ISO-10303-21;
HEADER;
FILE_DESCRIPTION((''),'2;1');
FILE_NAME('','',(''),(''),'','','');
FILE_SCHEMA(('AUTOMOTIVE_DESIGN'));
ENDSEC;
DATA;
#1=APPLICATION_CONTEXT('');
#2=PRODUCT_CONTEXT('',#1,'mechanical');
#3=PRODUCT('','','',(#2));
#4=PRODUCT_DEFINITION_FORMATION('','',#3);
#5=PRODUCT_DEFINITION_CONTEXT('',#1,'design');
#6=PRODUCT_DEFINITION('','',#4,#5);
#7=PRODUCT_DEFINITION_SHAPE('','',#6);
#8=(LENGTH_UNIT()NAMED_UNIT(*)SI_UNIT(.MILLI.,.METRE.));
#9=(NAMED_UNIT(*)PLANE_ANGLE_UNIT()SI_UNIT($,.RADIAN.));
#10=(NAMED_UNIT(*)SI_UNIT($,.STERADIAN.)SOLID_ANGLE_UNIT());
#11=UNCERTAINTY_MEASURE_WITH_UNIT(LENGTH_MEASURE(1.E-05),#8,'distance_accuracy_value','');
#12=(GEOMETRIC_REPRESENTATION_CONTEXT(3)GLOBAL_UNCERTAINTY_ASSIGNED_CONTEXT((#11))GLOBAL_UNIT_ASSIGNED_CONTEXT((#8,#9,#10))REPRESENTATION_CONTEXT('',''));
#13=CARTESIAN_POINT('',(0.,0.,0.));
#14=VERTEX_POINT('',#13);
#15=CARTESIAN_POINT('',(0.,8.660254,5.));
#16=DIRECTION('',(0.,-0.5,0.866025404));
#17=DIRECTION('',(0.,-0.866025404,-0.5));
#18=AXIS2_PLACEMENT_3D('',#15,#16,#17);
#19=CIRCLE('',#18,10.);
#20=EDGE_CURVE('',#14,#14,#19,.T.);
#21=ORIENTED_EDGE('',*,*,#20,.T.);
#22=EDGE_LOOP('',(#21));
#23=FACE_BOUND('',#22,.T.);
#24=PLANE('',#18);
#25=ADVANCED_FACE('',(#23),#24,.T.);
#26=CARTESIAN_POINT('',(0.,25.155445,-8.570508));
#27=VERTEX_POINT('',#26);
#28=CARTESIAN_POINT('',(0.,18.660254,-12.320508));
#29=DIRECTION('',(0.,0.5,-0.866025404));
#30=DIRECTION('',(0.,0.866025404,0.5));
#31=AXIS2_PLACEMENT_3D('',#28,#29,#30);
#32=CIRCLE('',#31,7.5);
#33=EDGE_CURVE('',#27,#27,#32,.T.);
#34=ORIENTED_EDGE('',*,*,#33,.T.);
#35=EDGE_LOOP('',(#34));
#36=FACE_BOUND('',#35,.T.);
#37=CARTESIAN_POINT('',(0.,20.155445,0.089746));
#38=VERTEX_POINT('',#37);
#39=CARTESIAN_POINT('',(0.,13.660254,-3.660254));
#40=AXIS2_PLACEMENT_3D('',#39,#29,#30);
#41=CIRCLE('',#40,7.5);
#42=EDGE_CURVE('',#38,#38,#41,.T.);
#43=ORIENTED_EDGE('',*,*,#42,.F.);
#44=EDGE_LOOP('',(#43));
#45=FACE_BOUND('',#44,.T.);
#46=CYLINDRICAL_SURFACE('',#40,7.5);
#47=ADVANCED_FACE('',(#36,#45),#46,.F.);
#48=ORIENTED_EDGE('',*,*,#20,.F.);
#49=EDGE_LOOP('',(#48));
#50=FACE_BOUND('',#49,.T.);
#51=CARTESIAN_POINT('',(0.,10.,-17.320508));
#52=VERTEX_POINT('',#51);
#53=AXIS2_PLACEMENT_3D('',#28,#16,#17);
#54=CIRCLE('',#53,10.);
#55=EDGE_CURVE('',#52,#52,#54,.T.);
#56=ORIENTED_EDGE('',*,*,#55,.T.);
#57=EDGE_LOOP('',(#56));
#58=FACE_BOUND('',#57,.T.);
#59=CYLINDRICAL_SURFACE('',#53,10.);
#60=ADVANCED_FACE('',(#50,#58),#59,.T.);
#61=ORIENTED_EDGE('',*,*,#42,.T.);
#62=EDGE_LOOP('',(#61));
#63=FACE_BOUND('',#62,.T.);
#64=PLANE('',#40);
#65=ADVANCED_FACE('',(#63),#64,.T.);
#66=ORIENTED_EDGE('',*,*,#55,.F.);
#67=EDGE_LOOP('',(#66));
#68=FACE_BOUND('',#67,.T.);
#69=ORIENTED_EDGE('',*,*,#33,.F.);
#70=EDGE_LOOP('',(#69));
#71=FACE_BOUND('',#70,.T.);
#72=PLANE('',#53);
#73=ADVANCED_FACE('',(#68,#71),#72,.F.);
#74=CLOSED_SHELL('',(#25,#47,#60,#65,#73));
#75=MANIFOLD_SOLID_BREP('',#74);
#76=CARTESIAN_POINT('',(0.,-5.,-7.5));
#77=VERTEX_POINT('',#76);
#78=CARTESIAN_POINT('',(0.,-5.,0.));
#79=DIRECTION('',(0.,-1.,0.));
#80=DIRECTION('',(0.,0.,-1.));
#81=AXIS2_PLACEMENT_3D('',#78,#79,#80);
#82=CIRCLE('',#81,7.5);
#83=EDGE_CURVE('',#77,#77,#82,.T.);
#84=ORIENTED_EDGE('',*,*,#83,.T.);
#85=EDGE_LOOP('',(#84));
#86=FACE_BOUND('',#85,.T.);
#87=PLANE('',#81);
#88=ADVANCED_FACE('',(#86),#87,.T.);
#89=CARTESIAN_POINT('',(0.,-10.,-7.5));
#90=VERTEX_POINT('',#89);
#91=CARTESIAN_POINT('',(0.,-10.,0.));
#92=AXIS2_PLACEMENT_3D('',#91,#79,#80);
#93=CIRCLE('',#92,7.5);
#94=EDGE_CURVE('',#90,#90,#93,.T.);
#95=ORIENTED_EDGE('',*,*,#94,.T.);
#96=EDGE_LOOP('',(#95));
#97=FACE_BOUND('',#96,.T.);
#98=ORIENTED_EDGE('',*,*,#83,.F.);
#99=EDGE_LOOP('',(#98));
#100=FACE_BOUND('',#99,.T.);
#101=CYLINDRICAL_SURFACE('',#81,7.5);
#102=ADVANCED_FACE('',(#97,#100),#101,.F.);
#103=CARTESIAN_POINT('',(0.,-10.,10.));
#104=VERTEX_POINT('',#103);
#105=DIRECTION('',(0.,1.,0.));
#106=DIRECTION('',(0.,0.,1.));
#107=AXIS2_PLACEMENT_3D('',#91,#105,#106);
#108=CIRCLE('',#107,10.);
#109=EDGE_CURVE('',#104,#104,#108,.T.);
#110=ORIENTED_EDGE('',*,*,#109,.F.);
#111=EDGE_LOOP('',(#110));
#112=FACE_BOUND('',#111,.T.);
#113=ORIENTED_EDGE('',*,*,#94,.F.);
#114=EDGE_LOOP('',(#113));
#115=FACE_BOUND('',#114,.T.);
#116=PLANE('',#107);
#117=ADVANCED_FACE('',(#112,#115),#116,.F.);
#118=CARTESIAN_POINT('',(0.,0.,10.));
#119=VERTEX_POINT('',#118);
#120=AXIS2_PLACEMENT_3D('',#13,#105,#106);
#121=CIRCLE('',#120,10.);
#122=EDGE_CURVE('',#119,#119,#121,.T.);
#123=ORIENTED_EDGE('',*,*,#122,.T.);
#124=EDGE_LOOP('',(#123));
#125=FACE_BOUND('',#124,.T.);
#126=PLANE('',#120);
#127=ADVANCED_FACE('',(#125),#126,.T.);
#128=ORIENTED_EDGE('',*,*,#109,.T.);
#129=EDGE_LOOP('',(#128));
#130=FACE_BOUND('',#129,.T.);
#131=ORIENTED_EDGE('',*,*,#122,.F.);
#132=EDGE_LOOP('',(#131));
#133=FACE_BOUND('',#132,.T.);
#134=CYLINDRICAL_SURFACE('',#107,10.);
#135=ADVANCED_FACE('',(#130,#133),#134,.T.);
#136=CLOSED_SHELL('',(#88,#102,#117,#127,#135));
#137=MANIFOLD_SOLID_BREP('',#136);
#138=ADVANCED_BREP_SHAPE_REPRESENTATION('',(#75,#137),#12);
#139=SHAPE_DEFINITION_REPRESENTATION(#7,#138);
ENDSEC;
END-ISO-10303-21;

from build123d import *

# Parameters (mm, degrees)
SKETCH1_R           = 10
BOSS_EXTRUDE1_DEPTH = 10
SKETCH2_R           = 7.5
CUT_EXTRUDE1_DEPTH  = 5
SKETCH4_R           = 10
BOSS_EXTRUDE2_DEPTH = 20
SKETCH5_R           = 7.5
CUT_EXTRUDE2_DEPTH  = 10


with BuildPart() as part:
    # Sketch1 → Boss-Extrude1 (new body)
    with BuildSketch(Plane(origin=(0, 0, 0), x_dir=(1, 0, 0), z_dir=(0, 1, 0))):
        Circle(SKETCH1_R)
    extrude(amount=-BOSS_EXTRUDE1_DEPTH)

    # Sketch2 → Cut-Extrude1 (cut)
    with BuildSketch(Plane(origin=(0, -10, 0), x_dir=(-1, 0, 0), z_dir=(0, -1, 0))):
        Circle(SKETCH2_R)
    extrude(amount=-CUT_EXTRUDE1_DEPTH, mode=Mode.SUBTRACT)


with BuildPart() as body_2:
    # Sketch4 → Boss-Extrude2 (new body)
    with BuildSketch(Plane(origin=(0, 0, 0), x_dir=(1, 0, 0), z_dir=(0, -0.500000000000001, 0.866025403784438))):
        with Locations((0, 10)):
            Circle(SKETCH4_R)
    extrude(amount=-BOSS_EXTRUDE2_DEPTH)

    # Sketch5 → Cut-Extrude2 (cut)
    with BuildSketch(Plane(origin=(0, 10, -17.320508076), x_dir=(-1, 0, 0), z_dir=(0, 0.500000000000001, -0.8660254037844382))):
        with Locations((0, 10)):
            Circle(SKETCH5_R)
    extrude(amount=-CUT_EXTRUDE2_DEPTH, mode=Mode.SUBTRACT)


solid = Compound([part.part, body_2.part])
